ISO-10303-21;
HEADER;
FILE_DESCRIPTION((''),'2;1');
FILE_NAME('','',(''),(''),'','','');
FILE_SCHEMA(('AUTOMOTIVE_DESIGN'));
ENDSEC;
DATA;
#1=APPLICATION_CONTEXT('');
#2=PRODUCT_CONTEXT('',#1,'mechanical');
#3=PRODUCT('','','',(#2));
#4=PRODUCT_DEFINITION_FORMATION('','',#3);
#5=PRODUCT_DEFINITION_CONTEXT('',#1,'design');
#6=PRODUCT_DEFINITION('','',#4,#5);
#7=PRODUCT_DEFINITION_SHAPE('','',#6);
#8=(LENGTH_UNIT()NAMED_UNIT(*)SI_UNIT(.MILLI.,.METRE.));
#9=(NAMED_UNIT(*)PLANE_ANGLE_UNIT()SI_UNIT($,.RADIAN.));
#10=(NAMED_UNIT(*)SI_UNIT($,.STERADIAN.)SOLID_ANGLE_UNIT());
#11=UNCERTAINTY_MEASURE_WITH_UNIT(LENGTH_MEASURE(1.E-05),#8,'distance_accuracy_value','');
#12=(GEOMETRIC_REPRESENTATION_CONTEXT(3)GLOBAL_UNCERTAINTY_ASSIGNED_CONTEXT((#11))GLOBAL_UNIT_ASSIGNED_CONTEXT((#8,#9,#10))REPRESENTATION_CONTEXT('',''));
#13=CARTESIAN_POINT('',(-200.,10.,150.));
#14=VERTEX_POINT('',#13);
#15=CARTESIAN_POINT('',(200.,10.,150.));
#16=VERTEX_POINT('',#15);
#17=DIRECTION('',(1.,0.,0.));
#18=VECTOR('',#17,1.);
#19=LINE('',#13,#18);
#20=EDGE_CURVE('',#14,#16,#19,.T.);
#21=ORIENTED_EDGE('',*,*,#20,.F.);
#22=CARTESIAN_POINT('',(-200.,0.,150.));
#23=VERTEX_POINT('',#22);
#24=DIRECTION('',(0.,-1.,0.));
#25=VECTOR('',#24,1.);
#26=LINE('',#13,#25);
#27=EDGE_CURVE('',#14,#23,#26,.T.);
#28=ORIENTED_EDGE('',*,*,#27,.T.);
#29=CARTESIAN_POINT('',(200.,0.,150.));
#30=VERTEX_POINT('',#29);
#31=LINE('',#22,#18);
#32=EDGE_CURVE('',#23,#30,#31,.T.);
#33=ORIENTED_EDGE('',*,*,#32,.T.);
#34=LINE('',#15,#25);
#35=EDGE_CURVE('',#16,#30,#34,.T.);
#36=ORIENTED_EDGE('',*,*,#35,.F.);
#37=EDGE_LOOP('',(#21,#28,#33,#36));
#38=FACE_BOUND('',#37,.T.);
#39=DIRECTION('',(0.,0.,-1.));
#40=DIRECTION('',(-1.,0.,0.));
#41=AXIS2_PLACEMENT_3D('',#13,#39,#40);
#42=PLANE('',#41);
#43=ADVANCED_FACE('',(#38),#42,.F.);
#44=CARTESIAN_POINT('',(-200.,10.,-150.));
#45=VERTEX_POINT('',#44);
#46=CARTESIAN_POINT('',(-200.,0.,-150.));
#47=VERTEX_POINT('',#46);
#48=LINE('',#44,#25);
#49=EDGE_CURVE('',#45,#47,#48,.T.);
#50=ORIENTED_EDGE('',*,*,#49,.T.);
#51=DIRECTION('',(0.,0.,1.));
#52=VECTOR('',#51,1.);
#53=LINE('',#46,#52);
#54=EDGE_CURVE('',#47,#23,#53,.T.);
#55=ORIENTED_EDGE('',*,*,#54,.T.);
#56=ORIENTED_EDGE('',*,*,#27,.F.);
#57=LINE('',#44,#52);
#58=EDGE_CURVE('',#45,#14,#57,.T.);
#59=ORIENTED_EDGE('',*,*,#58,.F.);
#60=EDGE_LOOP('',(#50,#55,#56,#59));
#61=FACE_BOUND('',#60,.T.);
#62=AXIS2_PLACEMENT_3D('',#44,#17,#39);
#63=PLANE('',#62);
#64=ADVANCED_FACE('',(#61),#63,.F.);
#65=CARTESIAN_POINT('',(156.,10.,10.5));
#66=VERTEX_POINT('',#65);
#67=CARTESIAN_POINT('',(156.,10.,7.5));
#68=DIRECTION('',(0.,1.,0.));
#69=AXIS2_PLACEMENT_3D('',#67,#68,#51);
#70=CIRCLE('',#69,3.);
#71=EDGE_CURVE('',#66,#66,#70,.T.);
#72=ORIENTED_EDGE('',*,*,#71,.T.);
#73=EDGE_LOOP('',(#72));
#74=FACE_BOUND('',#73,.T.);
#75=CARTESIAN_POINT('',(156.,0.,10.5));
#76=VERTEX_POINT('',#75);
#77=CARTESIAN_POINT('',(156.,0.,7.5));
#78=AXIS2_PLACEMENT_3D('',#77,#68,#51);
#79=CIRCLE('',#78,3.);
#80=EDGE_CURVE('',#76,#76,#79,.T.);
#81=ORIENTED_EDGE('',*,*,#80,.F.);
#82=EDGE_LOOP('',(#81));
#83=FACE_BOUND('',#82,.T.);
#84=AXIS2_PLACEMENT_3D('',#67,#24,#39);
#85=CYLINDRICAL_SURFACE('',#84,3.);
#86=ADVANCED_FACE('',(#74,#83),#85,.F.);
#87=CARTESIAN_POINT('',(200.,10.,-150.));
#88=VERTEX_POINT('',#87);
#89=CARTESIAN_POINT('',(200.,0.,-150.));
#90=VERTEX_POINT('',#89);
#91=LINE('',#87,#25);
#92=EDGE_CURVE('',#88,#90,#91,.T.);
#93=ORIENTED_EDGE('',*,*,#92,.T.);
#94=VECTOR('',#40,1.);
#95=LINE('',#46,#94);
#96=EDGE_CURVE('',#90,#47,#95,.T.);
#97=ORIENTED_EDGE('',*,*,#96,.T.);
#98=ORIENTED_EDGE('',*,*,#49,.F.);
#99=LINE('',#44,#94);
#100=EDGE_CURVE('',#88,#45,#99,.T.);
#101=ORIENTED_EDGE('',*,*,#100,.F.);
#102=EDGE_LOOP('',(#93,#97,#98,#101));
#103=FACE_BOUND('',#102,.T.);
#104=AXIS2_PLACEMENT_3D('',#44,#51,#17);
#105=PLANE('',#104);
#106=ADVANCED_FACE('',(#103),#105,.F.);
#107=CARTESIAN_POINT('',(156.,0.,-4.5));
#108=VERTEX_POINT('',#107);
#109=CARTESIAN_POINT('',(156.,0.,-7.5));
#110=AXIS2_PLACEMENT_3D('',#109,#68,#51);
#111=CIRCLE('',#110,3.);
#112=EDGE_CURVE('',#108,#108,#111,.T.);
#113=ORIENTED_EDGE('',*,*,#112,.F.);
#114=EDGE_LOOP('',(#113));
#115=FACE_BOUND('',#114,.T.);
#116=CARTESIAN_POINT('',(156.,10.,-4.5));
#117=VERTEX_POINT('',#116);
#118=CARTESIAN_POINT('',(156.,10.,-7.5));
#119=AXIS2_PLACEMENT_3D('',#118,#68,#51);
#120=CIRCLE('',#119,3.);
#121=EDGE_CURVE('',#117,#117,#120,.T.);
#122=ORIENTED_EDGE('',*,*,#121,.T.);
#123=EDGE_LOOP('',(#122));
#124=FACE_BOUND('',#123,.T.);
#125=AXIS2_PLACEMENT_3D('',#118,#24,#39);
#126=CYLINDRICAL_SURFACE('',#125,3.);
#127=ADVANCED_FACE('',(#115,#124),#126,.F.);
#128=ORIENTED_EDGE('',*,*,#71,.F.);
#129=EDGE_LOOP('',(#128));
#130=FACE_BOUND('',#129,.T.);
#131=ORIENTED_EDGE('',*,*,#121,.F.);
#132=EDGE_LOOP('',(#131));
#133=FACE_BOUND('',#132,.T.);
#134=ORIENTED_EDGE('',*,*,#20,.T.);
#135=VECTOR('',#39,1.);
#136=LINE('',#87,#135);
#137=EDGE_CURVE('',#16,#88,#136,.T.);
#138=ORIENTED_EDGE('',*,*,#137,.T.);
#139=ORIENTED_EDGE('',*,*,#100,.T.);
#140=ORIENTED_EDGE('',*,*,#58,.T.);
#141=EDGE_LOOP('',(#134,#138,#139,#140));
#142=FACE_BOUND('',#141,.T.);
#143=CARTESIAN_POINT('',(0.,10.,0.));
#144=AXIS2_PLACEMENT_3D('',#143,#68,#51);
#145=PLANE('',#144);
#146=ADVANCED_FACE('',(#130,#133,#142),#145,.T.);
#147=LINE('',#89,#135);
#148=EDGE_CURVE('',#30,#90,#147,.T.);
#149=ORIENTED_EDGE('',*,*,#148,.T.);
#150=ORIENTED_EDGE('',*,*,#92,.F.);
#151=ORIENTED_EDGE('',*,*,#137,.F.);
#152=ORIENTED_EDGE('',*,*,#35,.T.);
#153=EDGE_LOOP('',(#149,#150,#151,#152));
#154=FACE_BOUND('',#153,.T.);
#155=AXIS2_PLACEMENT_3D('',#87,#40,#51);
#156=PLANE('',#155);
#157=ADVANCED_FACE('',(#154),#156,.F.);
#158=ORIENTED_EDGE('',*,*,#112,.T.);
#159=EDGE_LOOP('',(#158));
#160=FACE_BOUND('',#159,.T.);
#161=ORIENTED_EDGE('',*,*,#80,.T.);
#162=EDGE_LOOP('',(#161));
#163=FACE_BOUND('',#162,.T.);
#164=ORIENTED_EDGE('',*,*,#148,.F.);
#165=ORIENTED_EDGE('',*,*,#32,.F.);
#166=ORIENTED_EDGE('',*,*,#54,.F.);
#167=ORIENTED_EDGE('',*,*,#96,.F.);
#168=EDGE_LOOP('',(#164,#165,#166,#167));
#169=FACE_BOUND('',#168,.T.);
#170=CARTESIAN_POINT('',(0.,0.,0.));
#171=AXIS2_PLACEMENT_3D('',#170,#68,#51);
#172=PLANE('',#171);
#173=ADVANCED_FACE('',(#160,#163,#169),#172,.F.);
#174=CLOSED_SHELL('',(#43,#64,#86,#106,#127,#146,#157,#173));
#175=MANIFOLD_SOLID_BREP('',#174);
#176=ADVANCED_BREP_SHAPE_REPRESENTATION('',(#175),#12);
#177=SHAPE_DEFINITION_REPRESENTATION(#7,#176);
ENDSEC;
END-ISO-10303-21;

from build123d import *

# Parameters (mm, degrees)
BASE_PLATE_SKETCH_W = 400
BASE_PLATE_SKETCH_H = 300
BASE_PLATE_SKETCH_R = 3
BOSS_EXTRUDE1_DEPTH = 10


with BuildPart() as part:
    # base_plate_sketch → Boss-Extrude1 (new body)
    with BuildSketch(Plane(origin=(0, 0, 0), x_dir=(1, 0, 0), z_dir=(0, 1, 0))):
        Rectangle(BASE_PLATE_SKETCH_W, BASE_PLATE_SKETCH_H)
        with Locations(Location((156, 7.5, 0), (0, 0, 270))):
            Circle(BASE_PLATE_SKETCH_R, mode=Mode.SUBTRACT)
        with Locations(Location((156, -7.5, 0), (0, 0, 270))):
            Circle(BASE_PLATE_SKETCH_R, mode=Mode.SUBTRACT)
    extrude(amount=BOSS_EXTRUDE1_DEPTH)


solid = part.part
